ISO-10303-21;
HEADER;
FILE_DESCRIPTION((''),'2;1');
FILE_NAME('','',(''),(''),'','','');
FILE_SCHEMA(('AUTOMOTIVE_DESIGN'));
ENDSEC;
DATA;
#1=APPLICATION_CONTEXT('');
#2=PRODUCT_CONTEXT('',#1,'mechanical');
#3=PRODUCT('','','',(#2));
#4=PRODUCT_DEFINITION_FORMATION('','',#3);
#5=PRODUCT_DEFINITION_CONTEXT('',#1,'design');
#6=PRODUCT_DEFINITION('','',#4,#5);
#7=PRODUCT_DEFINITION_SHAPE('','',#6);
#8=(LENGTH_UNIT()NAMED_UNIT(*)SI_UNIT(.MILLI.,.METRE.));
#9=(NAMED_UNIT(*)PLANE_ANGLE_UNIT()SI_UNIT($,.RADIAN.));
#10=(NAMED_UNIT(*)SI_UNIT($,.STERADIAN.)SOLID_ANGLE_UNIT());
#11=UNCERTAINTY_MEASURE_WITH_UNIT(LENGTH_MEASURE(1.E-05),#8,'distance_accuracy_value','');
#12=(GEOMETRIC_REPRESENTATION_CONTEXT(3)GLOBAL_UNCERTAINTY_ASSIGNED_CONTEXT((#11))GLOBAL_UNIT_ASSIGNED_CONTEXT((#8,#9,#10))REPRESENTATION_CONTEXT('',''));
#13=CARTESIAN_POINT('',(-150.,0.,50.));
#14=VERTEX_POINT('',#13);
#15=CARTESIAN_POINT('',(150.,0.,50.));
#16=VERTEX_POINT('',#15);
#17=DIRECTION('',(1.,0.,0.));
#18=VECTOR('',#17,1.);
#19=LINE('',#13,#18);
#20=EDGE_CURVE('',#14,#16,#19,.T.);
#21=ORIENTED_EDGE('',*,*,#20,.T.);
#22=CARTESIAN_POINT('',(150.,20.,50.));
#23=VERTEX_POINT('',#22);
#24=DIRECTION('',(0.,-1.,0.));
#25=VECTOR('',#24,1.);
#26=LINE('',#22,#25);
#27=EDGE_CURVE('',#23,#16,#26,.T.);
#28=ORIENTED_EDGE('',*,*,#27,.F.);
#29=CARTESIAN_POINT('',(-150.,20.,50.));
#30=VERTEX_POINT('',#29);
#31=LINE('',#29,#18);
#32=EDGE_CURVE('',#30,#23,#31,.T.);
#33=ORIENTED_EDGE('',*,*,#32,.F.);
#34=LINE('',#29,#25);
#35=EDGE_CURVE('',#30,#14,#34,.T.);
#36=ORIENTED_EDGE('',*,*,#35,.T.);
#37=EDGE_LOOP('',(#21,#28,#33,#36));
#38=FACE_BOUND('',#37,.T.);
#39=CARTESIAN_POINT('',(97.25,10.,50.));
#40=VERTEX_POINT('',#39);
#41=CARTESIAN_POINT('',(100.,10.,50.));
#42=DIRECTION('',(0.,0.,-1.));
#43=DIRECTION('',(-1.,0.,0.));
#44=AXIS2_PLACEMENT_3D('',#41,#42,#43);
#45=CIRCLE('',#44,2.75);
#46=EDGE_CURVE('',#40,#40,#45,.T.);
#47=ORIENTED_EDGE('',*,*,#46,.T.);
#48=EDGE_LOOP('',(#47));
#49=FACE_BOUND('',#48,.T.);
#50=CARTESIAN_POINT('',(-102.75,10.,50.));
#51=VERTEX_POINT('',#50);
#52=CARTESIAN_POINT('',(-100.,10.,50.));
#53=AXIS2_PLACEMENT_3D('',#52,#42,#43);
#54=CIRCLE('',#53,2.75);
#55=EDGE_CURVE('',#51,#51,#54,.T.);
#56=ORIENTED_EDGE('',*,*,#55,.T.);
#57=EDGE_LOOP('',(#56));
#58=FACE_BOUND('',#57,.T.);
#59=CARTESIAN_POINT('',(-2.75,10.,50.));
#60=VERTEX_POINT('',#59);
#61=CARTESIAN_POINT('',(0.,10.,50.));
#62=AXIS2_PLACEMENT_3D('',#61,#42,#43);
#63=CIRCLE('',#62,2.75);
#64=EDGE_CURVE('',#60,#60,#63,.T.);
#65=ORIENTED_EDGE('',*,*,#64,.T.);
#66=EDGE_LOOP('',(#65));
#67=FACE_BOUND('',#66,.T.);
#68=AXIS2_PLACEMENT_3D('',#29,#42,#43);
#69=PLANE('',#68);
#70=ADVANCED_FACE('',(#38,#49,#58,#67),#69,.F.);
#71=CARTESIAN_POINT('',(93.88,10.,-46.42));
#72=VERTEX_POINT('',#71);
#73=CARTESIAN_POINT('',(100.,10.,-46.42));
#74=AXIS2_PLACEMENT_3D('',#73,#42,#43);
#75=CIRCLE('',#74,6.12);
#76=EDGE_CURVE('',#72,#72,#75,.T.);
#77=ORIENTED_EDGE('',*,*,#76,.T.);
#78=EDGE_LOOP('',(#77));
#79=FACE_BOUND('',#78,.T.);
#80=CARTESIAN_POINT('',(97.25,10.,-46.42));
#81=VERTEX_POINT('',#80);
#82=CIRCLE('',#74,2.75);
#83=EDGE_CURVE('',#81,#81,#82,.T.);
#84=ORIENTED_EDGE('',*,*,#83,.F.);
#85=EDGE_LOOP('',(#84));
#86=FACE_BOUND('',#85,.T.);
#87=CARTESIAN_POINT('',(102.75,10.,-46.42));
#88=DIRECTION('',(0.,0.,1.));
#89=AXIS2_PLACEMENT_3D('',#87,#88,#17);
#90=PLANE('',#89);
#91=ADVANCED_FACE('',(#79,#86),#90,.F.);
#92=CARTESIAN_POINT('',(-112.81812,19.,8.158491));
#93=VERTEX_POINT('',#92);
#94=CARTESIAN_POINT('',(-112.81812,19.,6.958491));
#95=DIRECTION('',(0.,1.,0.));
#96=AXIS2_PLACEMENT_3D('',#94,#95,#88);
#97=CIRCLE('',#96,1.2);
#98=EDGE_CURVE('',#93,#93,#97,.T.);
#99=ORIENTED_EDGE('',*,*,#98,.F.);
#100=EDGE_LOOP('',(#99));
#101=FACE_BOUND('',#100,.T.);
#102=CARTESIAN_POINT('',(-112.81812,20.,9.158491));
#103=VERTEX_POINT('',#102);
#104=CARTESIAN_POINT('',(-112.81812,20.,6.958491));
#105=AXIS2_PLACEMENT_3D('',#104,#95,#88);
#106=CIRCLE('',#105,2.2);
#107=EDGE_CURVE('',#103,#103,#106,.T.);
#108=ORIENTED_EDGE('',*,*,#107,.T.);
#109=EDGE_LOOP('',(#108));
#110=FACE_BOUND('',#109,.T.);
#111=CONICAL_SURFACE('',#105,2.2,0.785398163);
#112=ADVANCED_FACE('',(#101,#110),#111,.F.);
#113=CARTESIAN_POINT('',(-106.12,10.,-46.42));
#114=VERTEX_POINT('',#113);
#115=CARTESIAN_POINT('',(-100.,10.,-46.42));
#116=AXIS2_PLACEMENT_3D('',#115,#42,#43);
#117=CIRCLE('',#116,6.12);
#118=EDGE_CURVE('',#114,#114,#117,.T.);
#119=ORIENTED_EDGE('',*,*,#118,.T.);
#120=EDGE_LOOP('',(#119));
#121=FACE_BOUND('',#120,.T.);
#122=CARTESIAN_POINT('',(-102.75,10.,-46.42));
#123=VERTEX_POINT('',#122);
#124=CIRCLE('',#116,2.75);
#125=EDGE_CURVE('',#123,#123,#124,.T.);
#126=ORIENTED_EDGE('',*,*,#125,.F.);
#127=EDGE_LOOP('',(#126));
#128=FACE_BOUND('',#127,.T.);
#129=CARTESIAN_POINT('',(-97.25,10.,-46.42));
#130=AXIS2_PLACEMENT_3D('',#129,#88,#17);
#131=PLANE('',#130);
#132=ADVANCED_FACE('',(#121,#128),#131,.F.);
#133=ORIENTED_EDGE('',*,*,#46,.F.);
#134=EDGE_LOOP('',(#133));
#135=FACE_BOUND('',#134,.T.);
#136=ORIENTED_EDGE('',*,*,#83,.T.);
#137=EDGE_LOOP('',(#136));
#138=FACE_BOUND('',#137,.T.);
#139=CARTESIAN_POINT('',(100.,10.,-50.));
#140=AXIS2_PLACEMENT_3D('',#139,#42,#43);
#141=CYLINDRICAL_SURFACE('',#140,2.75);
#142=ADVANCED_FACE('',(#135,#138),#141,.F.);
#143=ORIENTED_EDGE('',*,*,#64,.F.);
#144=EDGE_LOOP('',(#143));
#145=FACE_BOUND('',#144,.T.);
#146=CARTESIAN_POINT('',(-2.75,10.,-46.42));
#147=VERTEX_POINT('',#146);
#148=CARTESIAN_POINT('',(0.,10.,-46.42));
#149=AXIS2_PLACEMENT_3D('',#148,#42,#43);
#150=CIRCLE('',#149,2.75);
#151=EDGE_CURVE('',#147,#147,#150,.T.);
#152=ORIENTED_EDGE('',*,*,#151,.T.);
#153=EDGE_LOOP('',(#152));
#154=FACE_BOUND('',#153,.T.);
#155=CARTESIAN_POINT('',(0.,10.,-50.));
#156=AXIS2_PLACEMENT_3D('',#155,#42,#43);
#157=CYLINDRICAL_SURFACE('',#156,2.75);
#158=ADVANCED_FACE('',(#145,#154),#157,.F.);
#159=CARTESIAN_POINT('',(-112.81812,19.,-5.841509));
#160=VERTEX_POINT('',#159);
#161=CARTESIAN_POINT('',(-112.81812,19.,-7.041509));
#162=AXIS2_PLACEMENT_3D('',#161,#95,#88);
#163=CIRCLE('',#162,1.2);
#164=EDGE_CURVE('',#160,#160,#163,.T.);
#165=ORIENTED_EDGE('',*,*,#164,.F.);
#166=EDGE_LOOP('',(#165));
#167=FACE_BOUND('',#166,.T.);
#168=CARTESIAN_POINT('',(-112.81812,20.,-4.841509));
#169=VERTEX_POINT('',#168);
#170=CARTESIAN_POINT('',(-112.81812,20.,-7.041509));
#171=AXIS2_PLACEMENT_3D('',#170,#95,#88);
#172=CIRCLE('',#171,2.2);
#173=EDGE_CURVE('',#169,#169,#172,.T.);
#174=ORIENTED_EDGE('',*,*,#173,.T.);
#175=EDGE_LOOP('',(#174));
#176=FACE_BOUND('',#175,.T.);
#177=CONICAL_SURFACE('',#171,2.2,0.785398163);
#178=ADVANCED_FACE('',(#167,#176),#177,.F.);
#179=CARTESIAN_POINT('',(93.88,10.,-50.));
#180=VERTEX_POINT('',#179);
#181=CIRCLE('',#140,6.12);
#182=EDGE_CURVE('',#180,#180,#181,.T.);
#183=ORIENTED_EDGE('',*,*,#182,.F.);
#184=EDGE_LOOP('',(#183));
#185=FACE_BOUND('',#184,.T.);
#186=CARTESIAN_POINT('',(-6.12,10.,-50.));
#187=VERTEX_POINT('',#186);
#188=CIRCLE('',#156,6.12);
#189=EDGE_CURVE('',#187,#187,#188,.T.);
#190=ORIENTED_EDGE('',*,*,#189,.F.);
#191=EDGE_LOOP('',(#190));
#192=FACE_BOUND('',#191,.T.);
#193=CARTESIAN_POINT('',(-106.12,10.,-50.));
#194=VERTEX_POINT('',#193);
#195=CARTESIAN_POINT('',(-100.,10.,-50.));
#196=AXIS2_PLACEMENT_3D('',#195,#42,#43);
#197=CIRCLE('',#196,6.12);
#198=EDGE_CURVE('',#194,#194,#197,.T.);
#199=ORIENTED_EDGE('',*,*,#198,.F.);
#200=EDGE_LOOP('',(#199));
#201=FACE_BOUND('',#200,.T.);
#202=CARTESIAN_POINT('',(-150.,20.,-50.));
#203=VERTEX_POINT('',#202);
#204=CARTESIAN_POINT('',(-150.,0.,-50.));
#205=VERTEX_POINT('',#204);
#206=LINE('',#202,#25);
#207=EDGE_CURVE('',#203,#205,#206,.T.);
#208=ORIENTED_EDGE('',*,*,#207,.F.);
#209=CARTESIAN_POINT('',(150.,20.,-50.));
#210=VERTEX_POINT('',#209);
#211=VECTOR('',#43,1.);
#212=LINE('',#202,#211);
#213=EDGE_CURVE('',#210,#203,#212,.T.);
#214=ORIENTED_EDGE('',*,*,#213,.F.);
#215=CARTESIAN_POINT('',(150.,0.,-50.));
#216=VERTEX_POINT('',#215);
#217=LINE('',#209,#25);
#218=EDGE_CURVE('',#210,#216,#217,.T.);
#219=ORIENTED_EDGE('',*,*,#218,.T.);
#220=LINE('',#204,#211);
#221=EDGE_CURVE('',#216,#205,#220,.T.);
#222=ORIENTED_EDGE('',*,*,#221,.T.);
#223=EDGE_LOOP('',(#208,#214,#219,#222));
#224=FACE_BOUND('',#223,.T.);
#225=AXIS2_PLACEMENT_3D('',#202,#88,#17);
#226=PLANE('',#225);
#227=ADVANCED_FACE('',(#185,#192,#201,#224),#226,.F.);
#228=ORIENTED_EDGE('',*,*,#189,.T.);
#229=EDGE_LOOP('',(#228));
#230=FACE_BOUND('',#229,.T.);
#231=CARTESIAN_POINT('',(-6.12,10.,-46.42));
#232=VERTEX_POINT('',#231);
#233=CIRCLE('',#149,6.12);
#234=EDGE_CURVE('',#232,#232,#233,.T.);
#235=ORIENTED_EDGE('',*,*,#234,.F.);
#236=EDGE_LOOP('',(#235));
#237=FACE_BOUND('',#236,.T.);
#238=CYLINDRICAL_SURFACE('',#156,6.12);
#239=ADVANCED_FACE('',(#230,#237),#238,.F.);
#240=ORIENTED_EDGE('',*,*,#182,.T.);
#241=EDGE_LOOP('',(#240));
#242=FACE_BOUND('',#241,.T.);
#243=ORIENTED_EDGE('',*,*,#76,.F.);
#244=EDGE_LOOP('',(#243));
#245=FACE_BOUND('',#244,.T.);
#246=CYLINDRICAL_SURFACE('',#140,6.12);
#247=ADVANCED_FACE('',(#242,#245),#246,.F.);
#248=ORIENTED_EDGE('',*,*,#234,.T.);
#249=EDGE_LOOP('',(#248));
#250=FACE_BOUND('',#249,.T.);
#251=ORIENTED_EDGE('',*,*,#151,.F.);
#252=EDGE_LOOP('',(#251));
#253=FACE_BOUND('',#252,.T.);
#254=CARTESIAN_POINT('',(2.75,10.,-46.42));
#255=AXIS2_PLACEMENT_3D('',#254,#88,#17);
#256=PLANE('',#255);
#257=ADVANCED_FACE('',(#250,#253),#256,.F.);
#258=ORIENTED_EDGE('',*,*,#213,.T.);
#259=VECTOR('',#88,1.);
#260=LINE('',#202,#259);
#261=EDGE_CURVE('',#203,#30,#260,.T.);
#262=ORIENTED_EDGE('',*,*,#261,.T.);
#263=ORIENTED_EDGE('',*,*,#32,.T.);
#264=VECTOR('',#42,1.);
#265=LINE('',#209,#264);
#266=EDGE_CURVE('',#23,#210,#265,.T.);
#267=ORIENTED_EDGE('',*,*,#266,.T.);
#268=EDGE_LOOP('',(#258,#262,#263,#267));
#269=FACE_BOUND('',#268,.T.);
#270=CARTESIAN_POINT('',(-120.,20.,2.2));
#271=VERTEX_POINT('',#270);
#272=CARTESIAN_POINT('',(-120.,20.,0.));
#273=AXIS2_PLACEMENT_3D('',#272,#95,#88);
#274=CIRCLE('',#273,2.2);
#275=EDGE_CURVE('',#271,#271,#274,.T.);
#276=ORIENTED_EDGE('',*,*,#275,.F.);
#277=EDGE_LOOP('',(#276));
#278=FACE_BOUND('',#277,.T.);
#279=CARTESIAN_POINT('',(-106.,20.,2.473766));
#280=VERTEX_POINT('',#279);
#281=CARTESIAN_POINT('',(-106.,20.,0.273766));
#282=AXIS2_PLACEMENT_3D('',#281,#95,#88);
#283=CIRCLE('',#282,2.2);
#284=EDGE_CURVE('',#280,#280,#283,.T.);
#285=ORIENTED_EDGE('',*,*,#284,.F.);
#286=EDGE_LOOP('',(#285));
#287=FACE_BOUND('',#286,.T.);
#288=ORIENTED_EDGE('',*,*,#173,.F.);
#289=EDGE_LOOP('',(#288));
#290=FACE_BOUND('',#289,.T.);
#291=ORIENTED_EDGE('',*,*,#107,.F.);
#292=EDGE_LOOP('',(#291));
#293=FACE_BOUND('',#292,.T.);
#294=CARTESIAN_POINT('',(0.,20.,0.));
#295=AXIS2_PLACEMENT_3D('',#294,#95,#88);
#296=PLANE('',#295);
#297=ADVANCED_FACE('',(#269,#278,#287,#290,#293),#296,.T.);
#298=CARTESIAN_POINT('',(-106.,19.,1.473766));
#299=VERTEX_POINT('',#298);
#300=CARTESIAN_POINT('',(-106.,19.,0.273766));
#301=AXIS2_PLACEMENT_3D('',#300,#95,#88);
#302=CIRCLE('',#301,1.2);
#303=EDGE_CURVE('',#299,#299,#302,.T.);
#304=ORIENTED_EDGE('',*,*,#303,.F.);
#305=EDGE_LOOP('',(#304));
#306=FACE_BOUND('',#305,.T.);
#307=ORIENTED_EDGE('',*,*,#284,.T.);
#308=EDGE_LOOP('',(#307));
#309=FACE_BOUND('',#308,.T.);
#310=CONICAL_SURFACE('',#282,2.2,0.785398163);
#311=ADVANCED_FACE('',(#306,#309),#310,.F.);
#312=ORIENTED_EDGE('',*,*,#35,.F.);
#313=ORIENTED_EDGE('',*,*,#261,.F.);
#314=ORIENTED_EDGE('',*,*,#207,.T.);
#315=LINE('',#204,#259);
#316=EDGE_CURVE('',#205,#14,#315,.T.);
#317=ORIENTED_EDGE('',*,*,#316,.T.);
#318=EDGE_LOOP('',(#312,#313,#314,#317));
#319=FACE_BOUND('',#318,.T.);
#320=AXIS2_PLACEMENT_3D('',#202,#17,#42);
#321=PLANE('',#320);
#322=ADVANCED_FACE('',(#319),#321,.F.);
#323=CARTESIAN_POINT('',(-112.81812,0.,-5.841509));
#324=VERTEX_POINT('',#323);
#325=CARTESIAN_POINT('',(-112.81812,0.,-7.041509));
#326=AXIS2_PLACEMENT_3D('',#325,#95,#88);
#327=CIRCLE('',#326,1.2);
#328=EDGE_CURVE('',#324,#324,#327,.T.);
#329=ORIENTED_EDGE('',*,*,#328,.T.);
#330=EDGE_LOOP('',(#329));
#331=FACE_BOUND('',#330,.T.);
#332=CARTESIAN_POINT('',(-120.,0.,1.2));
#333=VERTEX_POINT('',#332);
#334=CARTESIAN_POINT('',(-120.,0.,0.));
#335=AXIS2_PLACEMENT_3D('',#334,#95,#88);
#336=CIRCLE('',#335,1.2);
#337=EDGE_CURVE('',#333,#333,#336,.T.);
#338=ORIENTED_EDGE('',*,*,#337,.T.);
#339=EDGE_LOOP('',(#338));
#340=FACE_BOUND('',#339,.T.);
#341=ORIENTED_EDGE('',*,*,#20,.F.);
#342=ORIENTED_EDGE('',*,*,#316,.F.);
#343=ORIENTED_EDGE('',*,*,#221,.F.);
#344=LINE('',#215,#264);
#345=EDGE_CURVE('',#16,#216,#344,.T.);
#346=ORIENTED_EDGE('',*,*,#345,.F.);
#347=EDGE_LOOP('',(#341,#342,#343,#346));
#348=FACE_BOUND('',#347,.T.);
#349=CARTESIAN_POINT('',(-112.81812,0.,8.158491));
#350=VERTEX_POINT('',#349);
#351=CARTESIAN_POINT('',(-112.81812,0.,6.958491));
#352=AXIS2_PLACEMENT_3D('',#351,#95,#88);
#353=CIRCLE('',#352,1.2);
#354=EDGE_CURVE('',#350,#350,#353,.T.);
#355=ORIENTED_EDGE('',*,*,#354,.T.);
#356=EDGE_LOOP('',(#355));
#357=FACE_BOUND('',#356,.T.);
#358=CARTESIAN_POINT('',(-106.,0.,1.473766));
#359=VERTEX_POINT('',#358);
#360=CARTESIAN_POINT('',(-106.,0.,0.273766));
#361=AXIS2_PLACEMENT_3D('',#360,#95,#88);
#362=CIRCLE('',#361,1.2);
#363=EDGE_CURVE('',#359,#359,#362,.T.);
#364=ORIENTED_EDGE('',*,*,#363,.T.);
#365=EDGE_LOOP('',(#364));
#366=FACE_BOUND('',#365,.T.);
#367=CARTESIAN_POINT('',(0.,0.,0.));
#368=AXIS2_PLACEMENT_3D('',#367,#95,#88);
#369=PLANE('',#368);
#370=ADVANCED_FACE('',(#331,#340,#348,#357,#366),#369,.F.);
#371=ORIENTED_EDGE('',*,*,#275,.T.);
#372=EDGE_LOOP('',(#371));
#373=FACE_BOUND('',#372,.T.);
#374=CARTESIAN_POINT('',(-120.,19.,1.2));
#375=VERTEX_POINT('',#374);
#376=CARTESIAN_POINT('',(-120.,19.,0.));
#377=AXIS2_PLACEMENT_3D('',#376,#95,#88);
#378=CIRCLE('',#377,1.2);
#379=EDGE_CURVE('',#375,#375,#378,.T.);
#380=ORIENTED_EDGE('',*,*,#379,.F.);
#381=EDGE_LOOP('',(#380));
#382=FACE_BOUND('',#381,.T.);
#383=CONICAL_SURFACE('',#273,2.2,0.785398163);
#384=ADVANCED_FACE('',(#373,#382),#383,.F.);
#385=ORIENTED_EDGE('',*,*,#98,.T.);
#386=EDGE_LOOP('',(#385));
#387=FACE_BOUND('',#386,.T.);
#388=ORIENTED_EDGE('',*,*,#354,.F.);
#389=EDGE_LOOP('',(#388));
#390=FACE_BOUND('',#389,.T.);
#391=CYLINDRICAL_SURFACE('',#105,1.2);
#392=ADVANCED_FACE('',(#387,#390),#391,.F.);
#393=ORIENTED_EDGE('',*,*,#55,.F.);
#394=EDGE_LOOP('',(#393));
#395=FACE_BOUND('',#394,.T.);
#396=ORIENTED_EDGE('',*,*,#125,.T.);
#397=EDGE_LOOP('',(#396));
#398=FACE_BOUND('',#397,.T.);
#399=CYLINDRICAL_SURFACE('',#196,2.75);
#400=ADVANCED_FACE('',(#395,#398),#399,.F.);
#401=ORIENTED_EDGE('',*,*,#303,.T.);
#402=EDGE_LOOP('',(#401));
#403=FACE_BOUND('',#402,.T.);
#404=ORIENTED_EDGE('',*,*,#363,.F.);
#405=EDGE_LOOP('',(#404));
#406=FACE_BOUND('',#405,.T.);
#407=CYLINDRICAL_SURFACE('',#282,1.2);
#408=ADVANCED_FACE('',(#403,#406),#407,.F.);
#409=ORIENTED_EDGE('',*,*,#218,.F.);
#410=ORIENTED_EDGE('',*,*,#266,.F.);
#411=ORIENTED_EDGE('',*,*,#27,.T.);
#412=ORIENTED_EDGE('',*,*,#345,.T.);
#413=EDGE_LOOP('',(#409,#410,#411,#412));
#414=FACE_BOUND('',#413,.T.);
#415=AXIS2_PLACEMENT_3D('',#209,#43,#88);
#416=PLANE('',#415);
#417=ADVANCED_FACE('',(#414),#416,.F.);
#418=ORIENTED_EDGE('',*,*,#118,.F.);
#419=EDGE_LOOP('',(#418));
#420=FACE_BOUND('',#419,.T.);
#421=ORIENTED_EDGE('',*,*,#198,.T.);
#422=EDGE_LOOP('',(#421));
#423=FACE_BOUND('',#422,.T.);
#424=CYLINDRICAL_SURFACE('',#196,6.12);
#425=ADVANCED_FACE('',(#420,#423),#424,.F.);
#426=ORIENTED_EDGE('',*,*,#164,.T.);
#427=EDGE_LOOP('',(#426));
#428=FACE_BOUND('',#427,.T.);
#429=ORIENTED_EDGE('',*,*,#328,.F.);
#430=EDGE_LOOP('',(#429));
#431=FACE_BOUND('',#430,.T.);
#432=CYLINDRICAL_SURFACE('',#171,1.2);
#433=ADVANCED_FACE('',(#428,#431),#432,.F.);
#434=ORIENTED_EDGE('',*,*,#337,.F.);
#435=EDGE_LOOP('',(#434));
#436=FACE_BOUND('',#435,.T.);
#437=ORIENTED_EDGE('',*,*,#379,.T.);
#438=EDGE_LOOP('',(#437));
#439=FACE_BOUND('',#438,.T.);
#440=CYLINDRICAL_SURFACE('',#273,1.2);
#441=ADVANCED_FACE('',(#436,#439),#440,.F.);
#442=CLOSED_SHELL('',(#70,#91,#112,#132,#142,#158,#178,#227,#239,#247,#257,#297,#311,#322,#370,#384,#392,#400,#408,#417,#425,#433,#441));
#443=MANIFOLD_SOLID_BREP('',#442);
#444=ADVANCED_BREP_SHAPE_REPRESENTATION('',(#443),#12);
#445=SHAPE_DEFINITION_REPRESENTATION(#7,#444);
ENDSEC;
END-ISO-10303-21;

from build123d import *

# Parameters (mm, degrees)
SKETCH4_W                                       = 300
SKETCH4_H                                       = 100
BOSS_EXTRUDE2_DEPTH                             = 20
CSK_FOR_M2_FLAT_HEAD_MACHINE_SCREW1_D           = 2.4
CSK_FOR_M2_FLAT_HEAD_MACHINE_SCREW1_CSINK_D     = 4.4
CSK_FOR_M2_FLAT_HEAD_MACHINE_SCREW1_CSINK_ANGLE = 90
CBORE_FOR_M5_HEX_HEAD_BOLT1_D                   = 5.5
CBORE_FOR_M5_HEX_HEAD_BOLT1_CBORE_D             = 12.24
CBORE_FOR_M5_HEX_HEAD_BOLT1_CBORE_DEPTH         = 3.58


with BuildPart() as part:
    # Sketch4 → Boss-Extrude2 (new body)
    with BuildSketch(Plane(origin=(0, 0, 0), x_dir=(1, 0, 0), z_dir=(0, 1, 0))):
        Rectangle(SKETCH4_W, SKETCH4_H)
    extrude(amount=BOSS_EXTRUDE2_DEPTH)

    # CSK for M2 Flat Head Machine Screw1 (through all)
    with Locations(Plane(origin=(0, 20, 0), x_dir=(1, 0, 0), z_dir=(0, 1, 0))):
        with Locations((-120, 0), (-106, -0.273765591), (-112.818119913, 7.041508898), (-112.818119913, -6.958491102)):
            CounterSinkHole(CSK_FOR_M2_FLAT_HEAD_MACHINE_SCREW1_D / 2, CSK_FOR_M2_FLAT_HEAD_MACHINE_SCREW1_CSINK_D / 2, counter_sink_angle=CSK_FOR_M2_FLAT_HEAD_MACHINE_SCREW1_CSINK_ANGLE)

    # CBORE for M5 Hex Head Bolt1 (through all)
    with Locations(Plane(origin=(0, 0, -50), x_dir=(-1, 0, 0), z_dir=(0, 0, -1))):
        with Locations((0, 10), (-100, 10), (100, 10)):
            CounterBoreHole(CBORE_FOR_M5_HEX_HEAD_BOLT1_D / 2, CBORE_FOR_M5_HEX_HEAD_BOLT1_CBORE_D / 2, CBORE_FOR_M5_HEX_HEAD_BOLT1_CBORE_DEPTH)


solid = part.part
